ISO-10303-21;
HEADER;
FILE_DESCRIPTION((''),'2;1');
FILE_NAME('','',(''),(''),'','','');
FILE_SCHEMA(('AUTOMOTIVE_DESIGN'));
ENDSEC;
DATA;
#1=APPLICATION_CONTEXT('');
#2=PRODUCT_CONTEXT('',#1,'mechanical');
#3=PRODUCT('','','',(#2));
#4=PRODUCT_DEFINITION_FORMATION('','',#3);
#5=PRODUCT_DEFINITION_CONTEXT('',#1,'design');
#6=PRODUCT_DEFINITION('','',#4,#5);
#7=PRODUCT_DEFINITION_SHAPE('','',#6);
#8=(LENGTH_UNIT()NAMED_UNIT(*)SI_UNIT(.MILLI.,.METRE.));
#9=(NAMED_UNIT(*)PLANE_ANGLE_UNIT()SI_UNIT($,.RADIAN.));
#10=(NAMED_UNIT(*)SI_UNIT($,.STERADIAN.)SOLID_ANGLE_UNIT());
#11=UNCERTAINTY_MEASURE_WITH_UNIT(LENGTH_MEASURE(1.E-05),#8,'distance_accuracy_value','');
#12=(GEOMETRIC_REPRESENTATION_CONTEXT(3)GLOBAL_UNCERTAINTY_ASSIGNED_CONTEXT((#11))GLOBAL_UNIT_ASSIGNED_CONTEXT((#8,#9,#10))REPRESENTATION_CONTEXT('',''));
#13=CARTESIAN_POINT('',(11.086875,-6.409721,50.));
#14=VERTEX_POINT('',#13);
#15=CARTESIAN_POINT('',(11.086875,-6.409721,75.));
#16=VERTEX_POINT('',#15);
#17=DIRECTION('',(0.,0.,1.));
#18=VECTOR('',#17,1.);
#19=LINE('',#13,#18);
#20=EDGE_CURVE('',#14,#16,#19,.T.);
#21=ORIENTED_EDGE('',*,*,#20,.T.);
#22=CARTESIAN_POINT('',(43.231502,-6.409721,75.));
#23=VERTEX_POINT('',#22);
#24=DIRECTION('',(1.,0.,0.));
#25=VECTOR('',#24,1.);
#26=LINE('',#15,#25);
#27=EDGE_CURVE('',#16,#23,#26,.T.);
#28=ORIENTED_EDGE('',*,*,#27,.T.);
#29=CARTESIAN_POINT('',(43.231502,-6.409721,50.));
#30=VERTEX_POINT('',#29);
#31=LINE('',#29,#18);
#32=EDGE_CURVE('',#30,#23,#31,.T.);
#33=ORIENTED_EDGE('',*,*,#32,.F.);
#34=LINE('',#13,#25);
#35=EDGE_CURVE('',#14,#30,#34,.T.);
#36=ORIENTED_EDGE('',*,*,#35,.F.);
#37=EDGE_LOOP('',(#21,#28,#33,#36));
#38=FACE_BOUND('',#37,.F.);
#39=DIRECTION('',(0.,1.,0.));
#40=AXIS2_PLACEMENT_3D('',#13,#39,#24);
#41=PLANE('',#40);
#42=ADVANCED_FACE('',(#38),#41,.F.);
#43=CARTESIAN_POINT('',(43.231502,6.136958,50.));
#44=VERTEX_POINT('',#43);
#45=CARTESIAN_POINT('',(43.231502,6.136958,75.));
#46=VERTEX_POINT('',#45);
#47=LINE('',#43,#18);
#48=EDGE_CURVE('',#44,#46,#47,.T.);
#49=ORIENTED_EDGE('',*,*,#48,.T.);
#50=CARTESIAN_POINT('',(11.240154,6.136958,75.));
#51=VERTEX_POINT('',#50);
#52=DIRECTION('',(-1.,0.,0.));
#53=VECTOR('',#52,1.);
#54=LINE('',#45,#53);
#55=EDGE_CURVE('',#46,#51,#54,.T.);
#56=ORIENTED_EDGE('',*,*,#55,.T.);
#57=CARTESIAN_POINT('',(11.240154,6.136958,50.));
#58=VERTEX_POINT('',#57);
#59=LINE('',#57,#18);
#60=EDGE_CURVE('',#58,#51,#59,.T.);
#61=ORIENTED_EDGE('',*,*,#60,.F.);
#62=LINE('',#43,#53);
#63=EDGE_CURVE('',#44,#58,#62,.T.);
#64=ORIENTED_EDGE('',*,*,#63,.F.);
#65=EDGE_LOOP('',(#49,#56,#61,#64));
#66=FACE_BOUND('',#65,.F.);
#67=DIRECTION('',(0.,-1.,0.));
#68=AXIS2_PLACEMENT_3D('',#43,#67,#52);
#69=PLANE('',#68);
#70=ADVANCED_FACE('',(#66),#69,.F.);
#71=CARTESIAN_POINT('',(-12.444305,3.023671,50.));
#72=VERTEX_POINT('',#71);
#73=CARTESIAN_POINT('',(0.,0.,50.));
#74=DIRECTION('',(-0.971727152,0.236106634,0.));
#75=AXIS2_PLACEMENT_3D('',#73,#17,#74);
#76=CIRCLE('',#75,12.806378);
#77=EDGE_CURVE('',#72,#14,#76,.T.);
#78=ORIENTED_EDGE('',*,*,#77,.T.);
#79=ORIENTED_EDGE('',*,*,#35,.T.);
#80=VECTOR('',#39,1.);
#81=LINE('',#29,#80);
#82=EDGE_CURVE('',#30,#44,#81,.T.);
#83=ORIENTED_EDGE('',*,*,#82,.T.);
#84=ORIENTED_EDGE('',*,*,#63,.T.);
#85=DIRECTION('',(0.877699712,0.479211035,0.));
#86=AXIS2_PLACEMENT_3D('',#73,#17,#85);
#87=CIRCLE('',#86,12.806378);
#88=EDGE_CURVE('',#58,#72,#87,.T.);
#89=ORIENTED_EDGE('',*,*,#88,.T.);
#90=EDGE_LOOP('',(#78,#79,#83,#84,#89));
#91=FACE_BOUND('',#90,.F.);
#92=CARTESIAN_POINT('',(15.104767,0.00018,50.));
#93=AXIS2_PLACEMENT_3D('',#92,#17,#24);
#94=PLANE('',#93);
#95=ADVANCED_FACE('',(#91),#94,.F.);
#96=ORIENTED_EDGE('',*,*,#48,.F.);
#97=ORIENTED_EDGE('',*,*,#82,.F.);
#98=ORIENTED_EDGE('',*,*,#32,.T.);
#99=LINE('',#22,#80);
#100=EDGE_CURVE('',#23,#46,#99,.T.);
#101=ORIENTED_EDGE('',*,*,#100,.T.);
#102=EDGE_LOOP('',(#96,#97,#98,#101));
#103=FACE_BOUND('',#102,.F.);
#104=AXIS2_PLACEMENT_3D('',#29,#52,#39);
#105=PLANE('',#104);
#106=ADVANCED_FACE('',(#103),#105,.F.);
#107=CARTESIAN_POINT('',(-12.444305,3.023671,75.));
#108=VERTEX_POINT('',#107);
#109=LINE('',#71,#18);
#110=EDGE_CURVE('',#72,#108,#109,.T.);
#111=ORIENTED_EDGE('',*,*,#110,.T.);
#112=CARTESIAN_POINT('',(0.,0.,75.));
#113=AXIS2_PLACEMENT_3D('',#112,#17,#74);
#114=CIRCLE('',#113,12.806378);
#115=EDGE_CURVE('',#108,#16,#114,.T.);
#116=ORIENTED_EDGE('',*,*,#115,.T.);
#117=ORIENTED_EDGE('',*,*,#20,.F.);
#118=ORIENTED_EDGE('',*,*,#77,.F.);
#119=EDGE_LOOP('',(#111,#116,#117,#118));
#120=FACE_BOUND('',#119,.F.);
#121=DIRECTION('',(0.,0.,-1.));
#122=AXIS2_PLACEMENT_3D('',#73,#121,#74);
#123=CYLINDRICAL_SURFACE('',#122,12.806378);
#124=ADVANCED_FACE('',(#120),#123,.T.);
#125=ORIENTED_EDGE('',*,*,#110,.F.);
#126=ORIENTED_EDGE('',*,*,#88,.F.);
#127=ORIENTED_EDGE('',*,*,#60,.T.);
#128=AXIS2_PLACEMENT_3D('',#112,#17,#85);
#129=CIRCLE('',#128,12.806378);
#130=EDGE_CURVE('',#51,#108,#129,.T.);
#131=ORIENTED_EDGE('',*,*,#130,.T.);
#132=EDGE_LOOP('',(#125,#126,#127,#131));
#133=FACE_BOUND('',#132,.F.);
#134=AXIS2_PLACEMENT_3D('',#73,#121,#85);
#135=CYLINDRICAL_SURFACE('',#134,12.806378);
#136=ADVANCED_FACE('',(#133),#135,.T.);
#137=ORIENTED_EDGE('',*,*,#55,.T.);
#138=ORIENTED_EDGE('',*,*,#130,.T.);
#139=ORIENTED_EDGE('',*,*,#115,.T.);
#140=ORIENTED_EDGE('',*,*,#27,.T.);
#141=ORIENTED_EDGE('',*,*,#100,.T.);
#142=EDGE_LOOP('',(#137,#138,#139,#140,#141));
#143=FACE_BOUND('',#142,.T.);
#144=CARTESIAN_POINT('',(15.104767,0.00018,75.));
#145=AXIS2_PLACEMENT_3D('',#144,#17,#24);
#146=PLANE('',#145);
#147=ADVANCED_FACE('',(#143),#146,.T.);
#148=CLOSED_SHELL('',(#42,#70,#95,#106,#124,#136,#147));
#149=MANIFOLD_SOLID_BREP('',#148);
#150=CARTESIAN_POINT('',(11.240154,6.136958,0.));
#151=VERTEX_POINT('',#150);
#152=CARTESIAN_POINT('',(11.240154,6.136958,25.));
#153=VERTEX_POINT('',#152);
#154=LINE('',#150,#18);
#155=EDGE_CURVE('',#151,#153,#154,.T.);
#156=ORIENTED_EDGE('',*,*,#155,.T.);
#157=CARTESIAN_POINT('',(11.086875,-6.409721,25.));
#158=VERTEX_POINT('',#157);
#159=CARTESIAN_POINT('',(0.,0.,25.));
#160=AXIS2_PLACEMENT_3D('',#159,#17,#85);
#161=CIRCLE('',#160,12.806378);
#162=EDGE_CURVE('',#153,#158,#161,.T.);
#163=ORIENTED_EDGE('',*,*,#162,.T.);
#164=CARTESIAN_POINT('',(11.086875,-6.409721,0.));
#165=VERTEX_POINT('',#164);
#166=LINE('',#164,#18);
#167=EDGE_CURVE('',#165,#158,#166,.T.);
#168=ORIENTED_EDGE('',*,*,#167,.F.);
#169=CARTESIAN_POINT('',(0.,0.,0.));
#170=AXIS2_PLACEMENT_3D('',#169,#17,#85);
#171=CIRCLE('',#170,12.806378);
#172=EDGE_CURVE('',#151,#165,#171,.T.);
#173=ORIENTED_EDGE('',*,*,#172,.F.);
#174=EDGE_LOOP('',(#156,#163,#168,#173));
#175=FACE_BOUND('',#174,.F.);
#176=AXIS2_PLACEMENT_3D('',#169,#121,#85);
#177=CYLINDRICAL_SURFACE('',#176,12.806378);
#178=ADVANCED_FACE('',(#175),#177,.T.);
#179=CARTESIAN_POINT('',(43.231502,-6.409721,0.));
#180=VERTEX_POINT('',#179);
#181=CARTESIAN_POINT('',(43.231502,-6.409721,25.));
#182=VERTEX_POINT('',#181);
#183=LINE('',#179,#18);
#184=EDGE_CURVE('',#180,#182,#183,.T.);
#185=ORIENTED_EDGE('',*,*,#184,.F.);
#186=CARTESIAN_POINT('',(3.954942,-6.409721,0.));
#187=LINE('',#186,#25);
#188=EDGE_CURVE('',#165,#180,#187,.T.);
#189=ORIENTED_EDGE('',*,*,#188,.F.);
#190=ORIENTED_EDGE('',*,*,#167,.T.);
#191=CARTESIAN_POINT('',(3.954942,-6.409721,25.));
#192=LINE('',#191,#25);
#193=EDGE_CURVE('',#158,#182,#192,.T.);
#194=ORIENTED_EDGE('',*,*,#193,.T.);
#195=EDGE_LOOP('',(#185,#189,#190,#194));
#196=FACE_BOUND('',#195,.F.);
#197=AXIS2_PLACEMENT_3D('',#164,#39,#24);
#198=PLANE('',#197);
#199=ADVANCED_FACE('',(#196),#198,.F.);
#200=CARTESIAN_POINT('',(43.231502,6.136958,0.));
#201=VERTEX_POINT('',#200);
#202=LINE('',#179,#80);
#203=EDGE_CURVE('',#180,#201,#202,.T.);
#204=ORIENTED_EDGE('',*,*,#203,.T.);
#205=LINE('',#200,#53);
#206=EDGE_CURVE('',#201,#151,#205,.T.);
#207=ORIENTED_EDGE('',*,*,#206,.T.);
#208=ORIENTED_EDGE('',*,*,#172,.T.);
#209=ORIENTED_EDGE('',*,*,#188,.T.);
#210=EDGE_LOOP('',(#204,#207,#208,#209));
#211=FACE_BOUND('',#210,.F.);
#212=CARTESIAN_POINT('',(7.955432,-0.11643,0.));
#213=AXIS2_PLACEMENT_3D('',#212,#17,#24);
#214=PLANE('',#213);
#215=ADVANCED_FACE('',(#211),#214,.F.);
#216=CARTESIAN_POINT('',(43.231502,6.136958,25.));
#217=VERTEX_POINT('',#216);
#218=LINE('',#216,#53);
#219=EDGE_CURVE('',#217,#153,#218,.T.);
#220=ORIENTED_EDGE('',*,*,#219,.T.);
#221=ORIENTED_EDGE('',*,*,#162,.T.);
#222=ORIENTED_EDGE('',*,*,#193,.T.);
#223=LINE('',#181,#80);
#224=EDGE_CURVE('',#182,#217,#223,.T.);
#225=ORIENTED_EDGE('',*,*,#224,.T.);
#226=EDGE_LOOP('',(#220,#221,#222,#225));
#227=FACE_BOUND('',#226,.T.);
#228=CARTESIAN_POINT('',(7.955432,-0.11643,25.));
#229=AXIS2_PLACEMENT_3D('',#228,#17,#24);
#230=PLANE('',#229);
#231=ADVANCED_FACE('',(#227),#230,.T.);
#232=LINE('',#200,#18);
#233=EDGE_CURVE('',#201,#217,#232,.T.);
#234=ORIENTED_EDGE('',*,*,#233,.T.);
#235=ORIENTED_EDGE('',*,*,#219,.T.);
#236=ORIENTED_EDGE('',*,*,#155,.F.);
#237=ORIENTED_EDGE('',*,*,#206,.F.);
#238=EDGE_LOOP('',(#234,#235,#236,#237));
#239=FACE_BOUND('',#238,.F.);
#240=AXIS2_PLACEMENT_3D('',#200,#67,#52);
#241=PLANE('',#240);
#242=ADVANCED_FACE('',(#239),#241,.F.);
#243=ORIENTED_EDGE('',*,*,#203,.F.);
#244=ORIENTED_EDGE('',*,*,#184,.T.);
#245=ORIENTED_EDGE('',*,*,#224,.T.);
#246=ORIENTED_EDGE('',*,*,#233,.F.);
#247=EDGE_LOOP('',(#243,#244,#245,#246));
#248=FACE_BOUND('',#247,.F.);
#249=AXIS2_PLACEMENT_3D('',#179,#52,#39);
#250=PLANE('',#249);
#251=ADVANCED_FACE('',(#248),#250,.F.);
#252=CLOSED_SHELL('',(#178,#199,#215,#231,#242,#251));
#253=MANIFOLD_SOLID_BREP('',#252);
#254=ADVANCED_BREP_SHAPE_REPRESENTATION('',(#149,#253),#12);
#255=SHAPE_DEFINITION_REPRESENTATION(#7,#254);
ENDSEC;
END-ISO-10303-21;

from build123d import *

# Parameters (mm, degrees)
F1_DEPTH = 25
F4_DEPTH = 25


with BuildPart() as f1:
    # F0 (on Top) → F1 (new body)
    with BuildSketch(Plane.XY):
        with BuildLine():
            ThreePointArc((11.086874908, -6.4097205177), (12.3690343404, -3.3181774858), (12.8063777994, 0))
            ThreePointArc((12.8063777994, 0), (12.4086456217, 3.166832199), (11.2401541047, 6.136957556))
            Line((11.2401541047, 6.136957556), (3.9549423382, 6.136957556))
            Line((3.9549423382, 6.136957556), (3.9549423382, -6.4097205177))
            Line((3.9549423382, -6.4097205177), (11.086874908, -6.4097205177))
        make_face()
        with BuildLine():
            ThreePointArc((11.2401541047, 6.136957556), (12.4086456217, 3.166832199), (12.8063777994, 0))
            ThreePointArc((12.8063777994, 0), (12.3690343404, -3.3181774858), (11.086874908, -6.4097205177))
            Line((11.086874908, -6.4097205177), (43.2315021753, -6.4097205177))
            Line((43.2315021753, -6.4097205177), (43.2315021753, 6.136957556))
            Line((43.2315021753, 6.136957556), (11.2401541047, 6.136957556))
        make_face()
        with BuildLine():
            Line((3.9549423382, 6.136957556), (11.2401541047, 6.136957556))
            ThreePointArc((11.2401541047, 6.136957556), (-12.8054222424, 0.1564402006), (11.086874908, -6.4097205177))
            Line((11.086874908, -6.4097205177), (3.9549423382, -6.4097205177))
            Line((3.9549423382, -6.4097205177), (3.9549423382, 6.136957556))
        make_face()
    extrude(amount=F1_DEPTH)


with BuildPart() as f4:
    # F3 (on offset) → F4 (new body)
    with BuildSketch(Plane.XY.offset(50)):
        with BuildLine():
            Line((43.2315021753, 6.136957556), (11.2401541047, 6.136957556))
            ThreePointArc((11.2401541047, 6.136957556), (-1.6690217307, 12.6971523896), (-12.4443050234, 3.0236707535))
            ThreePointArc((-12.4443050234, 3.0236707535), (-4.7652777304, -11.8867758662), (11.086874908, -6.4097205177))
            Line((11.086874908, -6.4097205177), (43.2315021753, -6.4097205177))
            Line((43.2315021753, -6.4097205177), (43.2315021753, 6.136957556))
        make_face()
    extrude(amount=F4_DEPTH)


solid = Compound([f1.part, f4.part])
